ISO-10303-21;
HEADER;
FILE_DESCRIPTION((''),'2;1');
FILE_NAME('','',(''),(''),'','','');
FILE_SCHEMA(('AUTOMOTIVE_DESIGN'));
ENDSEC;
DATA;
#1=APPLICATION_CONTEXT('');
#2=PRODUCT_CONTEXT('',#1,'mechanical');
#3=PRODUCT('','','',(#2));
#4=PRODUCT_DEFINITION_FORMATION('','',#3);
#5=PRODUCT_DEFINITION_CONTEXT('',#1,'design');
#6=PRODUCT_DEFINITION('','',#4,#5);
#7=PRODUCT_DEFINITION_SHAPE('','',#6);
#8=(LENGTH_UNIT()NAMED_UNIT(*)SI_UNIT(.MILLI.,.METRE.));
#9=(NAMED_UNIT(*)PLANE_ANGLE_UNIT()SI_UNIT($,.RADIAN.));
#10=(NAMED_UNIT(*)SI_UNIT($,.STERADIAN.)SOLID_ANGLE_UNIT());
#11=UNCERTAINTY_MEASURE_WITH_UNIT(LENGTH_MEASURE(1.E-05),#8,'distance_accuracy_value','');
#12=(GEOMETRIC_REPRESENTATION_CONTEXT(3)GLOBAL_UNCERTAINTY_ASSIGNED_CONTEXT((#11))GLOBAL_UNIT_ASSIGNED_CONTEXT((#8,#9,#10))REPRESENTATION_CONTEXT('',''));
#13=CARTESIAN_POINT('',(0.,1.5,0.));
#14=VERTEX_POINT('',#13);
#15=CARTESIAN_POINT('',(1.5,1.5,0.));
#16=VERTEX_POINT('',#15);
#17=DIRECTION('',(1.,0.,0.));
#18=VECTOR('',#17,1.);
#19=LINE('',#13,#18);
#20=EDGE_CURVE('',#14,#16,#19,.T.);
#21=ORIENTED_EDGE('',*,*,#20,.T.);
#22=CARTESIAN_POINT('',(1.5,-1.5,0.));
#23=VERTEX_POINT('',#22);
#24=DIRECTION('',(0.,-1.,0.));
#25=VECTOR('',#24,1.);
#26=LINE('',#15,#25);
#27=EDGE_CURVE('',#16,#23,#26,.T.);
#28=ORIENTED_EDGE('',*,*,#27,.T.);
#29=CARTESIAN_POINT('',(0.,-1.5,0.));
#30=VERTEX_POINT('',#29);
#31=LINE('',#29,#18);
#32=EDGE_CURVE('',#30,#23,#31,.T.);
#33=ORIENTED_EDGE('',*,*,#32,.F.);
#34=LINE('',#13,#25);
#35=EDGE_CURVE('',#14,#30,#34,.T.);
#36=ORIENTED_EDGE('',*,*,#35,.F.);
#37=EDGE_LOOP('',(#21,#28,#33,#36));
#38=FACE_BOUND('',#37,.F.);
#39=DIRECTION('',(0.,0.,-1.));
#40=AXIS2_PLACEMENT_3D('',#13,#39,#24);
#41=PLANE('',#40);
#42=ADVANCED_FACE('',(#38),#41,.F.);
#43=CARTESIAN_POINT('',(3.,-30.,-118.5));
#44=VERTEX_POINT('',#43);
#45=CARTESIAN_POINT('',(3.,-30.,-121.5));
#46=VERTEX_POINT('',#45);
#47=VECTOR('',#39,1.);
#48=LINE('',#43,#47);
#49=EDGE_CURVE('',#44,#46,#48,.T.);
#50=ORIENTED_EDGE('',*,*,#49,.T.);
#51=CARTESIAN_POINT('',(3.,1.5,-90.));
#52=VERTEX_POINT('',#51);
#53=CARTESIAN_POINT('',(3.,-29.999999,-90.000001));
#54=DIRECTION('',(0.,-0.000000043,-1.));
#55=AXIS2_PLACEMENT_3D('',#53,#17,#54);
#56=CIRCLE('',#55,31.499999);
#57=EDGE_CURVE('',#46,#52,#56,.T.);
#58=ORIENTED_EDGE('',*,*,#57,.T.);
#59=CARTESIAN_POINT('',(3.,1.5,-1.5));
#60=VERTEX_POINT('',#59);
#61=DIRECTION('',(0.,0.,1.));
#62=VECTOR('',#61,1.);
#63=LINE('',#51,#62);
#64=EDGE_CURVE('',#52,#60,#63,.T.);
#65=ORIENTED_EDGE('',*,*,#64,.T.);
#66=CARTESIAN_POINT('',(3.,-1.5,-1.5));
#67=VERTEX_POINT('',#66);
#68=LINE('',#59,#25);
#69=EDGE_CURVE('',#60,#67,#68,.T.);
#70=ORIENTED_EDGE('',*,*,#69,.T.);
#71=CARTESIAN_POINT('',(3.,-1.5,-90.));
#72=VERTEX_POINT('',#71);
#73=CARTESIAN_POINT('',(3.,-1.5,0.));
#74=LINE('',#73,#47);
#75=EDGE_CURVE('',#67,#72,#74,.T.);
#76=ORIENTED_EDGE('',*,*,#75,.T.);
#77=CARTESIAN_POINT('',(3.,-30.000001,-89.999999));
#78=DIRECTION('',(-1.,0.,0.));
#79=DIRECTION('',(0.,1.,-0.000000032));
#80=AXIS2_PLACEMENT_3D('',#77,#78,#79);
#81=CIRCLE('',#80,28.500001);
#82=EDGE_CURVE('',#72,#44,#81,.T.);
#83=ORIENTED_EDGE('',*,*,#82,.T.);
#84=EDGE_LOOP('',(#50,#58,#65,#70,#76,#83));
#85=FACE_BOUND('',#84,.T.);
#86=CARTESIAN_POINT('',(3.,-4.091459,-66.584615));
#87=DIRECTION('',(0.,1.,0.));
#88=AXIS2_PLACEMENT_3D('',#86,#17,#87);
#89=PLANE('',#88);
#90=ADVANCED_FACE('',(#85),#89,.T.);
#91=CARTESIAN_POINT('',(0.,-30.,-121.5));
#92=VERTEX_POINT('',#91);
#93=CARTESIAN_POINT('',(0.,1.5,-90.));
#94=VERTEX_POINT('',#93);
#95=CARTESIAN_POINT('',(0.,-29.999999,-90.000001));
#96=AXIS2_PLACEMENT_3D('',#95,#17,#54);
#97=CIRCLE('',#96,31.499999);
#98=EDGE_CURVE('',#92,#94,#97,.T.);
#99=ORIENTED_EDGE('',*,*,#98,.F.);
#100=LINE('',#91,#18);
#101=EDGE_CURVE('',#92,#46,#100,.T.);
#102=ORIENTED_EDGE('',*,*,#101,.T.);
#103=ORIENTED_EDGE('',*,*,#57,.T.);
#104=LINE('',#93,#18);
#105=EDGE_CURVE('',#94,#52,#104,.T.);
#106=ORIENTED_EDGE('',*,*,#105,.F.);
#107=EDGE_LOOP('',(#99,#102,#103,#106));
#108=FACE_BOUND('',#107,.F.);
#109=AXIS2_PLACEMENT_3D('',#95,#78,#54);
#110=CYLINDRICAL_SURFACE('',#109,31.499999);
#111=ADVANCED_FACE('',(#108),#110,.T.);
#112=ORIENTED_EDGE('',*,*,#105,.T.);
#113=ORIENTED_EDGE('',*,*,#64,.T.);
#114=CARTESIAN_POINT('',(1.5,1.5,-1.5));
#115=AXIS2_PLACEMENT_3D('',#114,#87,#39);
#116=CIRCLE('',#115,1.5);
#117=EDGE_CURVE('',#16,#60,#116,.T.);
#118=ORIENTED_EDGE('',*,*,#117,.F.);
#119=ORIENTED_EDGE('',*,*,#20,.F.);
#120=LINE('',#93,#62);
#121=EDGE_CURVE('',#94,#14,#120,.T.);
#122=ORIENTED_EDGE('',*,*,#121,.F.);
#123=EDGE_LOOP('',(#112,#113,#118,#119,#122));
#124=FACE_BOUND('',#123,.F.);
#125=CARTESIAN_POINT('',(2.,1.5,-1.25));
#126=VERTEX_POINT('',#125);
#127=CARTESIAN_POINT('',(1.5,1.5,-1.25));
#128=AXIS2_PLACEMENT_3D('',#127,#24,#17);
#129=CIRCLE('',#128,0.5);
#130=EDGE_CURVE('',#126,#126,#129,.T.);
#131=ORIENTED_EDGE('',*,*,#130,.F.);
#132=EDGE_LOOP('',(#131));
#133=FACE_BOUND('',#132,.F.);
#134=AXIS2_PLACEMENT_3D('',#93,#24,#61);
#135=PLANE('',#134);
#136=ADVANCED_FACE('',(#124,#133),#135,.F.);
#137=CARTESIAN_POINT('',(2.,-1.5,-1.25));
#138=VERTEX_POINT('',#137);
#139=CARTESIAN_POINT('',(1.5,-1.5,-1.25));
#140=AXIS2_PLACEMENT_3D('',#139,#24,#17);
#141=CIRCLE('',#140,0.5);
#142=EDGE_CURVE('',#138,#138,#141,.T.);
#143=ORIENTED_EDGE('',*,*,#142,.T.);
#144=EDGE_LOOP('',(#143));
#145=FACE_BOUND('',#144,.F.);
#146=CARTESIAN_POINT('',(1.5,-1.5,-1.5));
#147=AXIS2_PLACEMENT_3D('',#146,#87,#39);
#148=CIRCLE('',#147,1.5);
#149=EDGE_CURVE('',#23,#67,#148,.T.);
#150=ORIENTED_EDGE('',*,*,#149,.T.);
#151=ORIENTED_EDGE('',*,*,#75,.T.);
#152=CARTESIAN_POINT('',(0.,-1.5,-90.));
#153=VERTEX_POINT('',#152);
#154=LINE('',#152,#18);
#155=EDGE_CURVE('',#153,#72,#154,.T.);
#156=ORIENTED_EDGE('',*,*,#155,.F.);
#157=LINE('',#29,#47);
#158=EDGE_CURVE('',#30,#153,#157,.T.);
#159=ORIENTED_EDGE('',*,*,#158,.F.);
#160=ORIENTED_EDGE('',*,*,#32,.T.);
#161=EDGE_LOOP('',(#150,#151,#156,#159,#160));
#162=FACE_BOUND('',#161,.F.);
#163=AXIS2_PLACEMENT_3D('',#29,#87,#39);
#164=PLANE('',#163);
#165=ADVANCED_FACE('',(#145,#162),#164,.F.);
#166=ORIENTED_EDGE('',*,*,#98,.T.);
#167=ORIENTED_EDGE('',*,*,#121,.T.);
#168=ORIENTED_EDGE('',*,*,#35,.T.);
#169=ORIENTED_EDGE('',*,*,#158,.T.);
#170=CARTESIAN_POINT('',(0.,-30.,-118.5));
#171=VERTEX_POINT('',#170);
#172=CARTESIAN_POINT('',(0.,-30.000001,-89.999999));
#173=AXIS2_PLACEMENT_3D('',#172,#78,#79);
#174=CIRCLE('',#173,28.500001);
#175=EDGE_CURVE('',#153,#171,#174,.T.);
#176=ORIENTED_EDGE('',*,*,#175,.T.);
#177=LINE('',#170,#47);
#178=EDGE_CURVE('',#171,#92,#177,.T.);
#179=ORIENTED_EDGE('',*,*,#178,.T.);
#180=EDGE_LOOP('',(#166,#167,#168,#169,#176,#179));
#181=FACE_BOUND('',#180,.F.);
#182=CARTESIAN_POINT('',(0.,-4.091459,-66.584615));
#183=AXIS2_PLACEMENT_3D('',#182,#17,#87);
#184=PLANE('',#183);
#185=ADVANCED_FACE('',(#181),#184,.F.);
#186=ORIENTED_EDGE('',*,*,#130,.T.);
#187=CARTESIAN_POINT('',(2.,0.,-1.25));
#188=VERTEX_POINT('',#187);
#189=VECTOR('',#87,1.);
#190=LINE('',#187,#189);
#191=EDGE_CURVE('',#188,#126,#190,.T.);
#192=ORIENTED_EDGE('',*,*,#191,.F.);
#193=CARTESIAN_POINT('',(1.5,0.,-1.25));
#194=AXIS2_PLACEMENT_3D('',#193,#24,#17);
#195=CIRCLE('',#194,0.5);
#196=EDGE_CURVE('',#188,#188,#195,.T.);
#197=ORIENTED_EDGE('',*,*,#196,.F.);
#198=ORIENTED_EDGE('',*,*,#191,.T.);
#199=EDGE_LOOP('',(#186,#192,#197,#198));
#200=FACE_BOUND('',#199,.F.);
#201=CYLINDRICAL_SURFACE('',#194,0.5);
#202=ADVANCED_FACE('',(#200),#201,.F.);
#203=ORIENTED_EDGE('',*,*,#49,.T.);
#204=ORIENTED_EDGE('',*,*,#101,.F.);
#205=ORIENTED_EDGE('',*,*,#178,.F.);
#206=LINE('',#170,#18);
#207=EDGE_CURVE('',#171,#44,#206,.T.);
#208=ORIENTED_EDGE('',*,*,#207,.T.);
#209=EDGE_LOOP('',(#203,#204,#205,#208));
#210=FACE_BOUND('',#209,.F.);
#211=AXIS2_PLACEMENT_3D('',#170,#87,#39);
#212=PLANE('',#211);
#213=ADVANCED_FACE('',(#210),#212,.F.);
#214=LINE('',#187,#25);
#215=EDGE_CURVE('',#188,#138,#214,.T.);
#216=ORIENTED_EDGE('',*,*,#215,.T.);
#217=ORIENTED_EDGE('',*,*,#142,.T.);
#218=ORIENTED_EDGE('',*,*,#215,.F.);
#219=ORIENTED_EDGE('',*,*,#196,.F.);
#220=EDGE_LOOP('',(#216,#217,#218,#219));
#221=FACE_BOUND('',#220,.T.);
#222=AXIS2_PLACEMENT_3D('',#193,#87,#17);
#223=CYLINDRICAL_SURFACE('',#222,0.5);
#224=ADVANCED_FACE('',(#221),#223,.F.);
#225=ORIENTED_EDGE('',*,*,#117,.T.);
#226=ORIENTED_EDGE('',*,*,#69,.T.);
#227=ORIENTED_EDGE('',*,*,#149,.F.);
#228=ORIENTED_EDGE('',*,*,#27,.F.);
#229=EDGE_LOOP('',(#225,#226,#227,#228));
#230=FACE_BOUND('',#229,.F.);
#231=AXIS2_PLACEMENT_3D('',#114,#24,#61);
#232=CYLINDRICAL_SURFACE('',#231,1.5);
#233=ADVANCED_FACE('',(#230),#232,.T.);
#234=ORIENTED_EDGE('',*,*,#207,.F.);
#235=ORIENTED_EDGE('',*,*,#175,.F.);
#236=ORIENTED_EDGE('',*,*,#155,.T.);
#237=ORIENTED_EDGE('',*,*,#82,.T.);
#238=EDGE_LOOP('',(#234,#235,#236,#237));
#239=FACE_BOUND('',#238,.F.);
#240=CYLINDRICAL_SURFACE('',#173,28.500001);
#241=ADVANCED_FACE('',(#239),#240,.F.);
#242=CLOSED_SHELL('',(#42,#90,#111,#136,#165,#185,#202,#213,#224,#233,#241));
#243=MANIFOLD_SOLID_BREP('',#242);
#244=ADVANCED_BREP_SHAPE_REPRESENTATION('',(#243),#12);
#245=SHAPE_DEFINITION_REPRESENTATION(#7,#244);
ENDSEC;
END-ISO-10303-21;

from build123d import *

# Parameters (mm, degrees)
F2_DEPTH = 3
F1_R     = 0.5
F3_DEPTH = 1.5
F4_DEPTH = 1.5
F5_R     = 1.5


with BuildPart() as f2:
    # F0 (on Right) → F2 (new body)
    with BuildSketch(Plane.YZ):
        with BuildLine():
            Line((1.5, 0), (-1.5, 0))
            Line((-1.5, 0), (-1.5, -90))
            ThreePointArc((-1.5, -90), (-9.847457, -110.152543), (-30, -118.5))
            Line((-30, -118.5), (-30, -121.5))
            ThreePointArc((-30, -121.5), (-7.726136, -112.273864), (1.5, -90))
            Line((1.5, -90), (1.5, 0))
        make_face()
    extrude(amount=F2_DEPTH)

    # F1 (on Front) → F3 (cut)
    with BuildSketch(Plane.XZ):
        with Locations((1.5, -1.25)):
            Circle(F1_R)
    extrude(amount=-F3_DEPTH, mode=Mode.SUBTRACT)

    # F1 (on Front) → F4 (cut)
    with BuildSketch(Plane.XZ):
        with Locations((1.5, -1.25)):
            Circle(F1_R)
    extrude(amount=F4_DEPTH, mode=Mode.SUBTRACT)

    # F5
    f5_edges = [f2.edges().sort_by_distance(p)[0] for p in [
        (3, 0, 0),
    ]]
    fillet(f5_edges, radius=F5_R)


solid = f2.part
